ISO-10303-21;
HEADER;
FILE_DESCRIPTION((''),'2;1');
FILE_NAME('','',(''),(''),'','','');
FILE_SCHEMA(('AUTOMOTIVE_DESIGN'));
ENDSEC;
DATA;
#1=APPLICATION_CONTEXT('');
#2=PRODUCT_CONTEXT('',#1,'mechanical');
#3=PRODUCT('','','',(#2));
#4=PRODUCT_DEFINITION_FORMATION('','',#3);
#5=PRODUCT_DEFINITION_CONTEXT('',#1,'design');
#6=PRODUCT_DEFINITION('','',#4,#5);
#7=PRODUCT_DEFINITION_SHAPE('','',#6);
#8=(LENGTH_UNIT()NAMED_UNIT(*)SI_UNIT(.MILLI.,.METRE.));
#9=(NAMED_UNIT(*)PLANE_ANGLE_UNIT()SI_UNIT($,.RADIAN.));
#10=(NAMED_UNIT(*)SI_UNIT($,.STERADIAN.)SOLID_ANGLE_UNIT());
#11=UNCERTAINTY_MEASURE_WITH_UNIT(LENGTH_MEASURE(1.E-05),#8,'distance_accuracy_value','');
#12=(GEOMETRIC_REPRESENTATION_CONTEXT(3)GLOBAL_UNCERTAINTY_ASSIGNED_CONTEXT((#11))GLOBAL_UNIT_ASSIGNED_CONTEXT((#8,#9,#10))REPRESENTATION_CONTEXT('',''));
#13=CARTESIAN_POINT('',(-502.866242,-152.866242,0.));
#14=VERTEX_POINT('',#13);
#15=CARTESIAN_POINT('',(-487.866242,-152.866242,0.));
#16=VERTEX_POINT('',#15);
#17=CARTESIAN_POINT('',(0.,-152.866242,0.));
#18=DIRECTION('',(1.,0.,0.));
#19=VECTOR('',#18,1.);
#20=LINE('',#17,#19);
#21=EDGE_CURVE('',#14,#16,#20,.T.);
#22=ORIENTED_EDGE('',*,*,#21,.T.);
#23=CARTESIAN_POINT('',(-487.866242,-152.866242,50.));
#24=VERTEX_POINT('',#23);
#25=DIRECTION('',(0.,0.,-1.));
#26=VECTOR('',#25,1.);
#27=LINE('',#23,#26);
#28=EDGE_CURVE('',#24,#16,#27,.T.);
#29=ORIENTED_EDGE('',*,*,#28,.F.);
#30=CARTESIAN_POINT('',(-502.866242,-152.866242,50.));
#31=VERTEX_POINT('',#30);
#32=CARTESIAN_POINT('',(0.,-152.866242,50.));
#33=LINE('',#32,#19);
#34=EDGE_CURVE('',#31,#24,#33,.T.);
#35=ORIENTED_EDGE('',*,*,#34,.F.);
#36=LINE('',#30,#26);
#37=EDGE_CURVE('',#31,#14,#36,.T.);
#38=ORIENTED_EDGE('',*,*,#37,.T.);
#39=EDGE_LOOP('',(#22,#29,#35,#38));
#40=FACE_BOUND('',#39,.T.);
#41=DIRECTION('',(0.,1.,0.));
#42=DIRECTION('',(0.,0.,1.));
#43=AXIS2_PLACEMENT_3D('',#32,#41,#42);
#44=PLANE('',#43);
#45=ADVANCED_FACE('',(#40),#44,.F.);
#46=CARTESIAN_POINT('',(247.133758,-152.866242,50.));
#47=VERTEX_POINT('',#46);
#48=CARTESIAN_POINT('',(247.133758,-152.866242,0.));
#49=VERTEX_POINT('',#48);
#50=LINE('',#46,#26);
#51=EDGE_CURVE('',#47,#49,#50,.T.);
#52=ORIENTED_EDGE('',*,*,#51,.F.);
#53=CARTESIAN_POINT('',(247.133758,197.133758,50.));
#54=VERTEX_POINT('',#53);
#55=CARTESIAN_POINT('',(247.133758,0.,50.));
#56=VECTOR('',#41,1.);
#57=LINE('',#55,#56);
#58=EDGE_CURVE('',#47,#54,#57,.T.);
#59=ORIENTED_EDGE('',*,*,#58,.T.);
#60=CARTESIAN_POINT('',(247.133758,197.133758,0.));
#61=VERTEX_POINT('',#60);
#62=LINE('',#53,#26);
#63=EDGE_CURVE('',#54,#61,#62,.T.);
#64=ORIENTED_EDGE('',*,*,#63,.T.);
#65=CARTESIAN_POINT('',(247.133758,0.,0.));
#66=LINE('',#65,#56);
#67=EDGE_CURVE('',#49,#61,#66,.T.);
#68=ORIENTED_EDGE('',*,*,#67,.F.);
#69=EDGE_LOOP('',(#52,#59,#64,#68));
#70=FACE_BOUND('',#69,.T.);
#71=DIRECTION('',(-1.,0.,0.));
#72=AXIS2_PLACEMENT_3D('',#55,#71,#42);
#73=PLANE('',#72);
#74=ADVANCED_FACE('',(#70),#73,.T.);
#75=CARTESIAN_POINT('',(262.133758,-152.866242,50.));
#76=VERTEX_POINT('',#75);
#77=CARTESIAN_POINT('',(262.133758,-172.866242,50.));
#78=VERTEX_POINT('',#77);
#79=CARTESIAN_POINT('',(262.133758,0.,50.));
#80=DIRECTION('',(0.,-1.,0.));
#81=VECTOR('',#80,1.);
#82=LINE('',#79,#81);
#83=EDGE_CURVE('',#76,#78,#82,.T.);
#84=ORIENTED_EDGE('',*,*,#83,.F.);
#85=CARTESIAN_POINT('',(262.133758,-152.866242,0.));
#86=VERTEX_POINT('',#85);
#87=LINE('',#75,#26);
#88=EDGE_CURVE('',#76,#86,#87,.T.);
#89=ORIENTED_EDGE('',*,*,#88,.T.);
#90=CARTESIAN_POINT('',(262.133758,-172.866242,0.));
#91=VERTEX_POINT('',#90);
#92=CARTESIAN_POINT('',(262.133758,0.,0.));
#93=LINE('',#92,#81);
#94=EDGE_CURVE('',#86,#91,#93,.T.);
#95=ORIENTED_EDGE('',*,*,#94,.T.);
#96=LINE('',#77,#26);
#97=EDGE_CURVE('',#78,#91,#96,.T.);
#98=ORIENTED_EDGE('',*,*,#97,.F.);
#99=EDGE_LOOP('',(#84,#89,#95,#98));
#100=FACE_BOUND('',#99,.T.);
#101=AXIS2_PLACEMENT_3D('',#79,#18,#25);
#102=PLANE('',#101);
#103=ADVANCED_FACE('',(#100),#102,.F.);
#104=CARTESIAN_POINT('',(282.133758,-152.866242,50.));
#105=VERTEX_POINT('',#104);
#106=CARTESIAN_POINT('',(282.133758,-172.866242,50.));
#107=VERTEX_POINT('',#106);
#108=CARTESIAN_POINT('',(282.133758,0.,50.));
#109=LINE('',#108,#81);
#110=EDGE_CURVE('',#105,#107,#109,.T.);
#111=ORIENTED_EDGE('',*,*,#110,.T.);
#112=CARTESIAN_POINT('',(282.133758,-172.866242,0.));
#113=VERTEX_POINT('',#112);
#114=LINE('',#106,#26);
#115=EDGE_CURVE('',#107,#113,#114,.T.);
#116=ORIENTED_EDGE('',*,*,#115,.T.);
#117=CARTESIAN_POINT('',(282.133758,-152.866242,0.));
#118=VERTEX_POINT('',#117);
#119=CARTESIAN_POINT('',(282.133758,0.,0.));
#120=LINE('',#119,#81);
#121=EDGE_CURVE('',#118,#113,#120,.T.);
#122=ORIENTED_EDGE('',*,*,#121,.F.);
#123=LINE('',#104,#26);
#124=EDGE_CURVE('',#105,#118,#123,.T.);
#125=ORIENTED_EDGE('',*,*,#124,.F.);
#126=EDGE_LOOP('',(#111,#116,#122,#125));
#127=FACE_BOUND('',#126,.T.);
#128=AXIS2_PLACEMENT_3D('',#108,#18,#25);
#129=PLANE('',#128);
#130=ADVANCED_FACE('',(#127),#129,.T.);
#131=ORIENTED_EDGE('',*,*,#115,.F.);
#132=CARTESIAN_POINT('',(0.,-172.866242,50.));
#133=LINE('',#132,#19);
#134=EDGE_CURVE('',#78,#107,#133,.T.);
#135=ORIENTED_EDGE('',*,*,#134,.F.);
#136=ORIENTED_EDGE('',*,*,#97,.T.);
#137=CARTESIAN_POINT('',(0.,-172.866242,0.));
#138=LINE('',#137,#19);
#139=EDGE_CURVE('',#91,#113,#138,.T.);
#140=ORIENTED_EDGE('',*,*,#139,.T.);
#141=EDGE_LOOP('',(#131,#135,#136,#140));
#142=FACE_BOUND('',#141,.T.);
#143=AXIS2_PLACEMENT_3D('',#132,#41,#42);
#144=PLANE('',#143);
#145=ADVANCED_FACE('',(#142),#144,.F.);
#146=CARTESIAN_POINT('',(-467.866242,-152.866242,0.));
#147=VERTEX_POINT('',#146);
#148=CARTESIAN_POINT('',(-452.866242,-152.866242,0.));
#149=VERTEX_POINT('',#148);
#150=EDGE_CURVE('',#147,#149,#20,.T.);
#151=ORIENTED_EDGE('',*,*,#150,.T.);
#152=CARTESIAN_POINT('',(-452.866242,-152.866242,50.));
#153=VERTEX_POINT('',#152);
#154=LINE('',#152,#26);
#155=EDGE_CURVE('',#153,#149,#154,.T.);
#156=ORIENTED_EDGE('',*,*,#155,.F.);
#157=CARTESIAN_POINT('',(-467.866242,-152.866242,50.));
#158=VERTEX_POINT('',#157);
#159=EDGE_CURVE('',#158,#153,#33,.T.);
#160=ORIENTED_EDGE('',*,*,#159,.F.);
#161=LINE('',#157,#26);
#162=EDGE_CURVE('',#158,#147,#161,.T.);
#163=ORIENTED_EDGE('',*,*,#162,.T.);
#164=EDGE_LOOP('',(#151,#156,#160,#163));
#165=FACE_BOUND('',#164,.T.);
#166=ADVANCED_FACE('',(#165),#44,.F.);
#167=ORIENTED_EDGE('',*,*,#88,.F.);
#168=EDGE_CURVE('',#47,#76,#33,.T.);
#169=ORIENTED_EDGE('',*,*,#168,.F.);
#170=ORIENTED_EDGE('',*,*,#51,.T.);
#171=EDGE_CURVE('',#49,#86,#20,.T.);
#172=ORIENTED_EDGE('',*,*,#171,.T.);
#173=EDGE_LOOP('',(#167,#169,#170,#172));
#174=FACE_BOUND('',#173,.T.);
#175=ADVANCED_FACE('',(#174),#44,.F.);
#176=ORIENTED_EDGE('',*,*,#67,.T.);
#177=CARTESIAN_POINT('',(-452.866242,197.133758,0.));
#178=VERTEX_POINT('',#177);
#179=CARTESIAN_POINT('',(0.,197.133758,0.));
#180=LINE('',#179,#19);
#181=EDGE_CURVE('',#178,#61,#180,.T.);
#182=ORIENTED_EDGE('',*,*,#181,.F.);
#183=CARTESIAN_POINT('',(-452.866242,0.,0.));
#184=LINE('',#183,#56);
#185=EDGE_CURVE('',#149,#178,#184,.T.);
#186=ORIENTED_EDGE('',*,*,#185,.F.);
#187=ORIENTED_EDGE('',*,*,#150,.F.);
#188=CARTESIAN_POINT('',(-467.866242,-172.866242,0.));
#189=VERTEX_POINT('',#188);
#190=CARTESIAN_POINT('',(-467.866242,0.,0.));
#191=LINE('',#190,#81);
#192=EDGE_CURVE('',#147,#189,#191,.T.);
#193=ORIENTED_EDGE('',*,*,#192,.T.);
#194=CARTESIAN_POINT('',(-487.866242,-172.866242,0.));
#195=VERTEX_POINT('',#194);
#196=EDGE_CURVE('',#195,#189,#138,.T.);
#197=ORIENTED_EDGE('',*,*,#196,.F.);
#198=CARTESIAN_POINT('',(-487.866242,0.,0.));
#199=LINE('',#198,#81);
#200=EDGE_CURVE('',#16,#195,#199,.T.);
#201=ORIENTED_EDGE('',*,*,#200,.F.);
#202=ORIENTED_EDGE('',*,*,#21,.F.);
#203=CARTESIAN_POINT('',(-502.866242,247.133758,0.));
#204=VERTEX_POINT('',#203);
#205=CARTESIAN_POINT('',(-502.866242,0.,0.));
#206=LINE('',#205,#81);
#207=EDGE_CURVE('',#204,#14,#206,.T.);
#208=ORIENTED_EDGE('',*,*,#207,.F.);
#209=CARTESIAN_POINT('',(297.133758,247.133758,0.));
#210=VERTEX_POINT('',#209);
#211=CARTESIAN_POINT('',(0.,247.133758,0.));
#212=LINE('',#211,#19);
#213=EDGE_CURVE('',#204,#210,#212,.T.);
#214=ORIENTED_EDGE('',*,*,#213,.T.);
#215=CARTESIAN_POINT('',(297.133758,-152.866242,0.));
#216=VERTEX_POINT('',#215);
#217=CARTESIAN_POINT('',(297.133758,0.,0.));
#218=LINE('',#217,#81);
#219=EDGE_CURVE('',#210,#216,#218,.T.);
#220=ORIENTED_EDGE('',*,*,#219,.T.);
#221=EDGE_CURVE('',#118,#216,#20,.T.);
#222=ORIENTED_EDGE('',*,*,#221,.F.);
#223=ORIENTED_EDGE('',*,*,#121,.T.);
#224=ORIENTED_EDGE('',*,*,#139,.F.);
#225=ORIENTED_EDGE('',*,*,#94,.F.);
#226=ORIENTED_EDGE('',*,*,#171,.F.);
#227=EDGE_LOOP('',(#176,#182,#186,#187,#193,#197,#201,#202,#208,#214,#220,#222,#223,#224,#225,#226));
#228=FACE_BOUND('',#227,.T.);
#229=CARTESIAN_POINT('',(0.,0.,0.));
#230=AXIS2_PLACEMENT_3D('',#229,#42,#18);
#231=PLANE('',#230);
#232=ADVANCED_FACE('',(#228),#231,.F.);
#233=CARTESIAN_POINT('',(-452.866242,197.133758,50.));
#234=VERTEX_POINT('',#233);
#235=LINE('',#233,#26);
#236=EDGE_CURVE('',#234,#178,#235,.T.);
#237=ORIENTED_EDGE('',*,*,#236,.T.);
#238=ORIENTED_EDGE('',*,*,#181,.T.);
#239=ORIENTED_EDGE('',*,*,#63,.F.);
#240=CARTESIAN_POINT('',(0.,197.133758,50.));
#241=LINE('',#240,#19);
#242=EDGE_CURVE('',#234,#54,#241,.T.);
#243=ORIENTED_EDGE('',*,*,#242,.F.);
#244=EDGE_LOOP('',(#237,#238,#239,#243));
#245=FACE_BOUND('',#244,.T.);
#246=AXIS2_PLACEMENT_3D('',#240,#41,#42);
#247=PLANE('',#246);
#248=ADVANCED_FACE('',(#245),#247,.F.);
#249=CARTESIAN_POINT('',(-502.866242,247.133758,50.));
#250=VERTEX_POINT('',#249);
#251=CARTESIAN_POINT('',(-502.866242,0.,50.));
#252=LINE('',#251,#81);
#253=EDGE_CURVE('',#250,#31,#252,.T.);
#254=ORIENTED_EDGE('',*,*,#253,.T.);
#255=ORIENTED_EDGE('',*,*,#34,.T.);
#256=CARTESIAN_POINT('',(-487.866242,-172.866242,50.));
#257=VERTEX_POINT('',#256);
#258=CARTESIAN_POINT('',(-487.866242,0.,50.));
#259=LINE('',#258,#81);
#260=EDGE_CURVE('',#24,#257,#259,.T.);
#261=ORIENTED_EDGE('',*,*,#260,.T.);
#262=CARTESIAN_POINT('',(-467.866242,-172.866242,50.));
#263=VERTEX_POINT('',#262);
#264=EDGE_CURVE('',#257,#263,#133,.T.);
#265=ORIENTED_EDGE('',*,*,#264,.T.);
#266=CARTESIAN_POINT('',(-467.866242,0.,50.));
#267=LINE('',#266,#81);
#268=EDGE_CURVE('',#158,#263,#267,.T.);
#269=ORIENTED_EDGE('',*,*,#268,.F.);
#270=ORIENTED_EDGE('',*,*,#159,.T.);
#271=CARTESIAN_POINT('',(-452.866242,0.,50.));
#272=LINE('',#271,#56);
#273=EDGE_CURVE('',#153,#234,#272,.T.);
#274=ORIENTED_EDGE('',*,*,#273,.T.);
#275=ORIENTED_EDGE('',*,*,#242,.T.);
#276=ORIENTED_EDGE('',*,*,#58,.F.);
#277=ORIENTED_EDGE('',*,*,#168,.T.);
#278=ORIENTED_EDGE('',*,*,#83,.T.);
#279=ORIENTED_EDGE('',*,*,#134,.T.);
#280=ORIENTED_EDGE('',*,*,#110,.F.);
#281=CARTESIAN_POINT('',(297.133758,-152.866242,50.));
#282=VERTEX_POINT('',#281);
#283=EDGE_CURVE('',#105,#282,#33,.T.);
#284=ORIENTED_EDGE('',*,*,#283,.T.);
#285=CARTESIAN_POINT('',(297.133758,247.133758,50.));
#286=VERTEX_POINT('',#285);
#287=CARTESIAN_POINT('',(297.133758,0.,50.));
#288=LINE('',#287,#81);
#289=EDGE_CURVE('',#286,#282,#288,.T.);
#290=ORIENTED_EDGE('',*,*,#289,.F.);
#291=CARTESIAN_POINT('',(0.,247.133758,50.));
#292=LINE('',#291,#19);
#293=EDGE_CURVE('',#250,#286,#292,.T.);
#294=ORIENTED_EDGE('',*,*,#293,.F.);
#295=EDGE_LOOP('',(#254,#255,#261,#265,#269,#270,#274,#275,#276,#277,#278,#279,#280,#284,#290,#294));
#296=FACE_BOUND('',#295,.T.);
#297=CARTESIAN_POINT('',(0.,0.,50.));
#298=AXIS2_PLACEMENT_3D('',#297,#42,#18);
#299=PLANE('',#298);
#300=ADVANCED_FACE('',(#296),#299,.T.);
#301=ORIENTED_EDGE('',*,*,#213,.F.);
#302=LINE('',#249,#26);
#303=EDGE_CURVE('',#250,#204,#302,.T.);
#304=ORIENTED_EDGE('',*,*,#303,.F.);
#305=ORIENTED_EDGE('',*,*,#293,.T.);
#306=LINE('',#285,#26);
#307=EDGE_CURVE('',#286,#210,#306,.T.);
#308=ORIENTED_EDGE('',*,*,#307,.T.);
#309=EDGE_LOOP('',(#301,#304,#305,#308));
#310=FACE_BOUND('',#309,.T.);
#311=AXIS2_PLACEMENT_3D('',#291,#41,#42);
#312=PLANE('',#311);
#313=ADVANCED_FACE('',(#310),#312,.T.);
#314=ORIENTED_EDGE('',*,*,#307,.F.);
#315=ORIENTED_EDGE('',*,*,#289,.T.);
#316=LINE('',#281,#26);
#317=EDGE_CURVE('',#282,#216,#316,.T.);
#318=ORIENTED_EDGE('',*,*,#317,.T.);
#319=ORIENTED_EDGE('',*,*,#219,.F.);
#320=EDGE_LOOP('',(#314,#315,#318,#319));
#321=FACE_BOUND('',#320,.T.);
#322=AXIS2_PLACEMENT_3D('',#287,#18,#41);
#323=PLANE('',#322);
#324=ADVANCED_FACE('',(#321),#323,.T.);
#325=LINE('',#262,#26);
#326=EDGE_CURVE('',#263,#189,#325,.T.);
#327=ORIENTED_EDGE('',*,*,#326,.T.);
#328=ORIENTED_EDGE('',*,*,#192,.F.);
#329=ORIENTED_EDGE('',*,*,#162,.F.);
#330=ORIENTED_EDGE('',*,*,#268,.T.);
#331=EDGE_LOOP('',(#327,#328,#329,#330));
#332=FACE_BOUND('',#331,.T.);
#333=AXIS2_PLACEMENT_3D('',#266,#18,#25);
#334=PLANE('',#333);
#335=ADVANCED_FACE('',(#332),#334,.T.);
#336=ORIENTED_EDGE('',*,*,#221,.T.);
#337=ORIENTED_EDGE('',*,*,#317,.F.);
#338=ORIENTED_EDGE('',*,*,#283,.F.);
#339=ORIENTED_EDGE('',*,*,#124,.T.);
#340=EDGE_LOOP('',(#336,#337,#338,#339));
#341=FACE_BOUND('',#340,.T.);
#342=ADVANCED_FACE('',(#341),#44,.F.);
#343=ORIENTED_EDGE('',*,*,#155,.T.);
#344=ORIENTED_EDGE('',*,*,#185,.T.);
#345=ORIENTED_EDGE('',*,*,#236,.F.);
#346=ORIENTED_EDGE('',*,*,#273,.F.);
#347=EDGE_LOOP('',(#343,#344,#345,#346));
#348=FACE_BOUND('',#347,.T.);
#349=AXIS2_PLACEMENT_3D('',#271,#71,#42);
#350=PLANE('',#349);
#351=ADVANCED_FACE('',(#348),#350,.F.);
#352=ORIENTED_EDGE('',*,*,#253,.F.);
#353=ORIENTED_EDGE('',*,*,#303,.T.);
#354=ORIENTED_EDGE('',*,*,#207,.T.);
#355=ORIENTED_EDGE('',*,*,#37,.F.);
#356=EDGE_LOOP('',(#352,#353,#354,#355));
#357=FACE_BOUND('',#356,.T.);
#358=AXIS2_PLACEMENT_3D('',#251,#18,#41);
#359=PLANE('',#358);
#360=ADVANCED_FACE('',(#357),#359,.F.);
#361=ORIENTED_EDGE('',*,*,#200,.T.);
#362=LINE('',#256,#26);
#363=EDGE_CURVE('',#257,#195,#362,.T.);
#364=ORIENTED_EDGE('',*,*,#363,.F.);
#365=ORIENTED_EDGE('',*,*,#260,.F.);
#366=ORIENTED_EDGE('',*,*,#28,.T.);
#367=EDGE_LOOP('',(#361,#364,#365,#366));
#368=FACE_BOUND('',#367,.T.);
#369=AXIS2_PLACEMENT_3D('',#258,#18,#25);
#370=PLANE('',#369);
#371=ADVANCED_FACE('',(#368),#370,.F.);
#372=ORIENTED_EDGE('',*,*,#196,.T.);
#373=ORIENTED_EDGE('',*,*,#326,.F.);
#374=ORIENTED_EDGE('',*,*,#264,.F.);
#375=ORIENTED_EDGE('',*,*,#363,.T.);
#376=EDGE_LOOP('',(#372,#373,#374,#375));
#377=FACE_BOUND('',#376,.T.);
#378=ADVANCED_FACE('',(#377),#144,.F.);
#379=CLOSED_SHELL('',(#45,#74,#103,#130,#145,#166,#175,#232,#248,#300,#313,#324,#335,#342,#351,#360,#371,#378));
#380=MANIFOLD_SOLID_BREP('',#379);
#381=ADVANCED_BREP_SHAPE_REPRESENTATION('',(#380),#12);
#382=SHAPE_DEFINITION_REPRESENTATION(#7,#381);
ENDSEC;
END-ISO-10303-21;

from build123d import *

# Parameters (mm, degrees)
SKETCH1_W           = 20
SKETCH1_H           = 20
BOSS_EXTRUDE1_DEPTH = 50


with BuildPart() as part:
    # Sketch1 → Boss-Extrude1 (new body)
    with BuildSketch(Plane.XY):
        Polygon((297.133757962, 247.133757962), (-502.866242038, 247.133757962), (-502.866242038, -152.866242038), (-487.866242038, -152.866242038), (-467.866242038, -152.866242038), (-452.866242038, -152.866242038), (-452.866242038, 197.133757962), (247.133757962, 197.133757962), (247.133757962, -152.866242038), (262.133757962, -152.866242038), (282.133757962, -152.866242038), (297.133757962, -152.866242038), align=None)
        with Locations((-477.866242038, -162.866242038)):
            Rectangle(SKETCH1_W, SKETCH1_H)
        with Locations((272.133757962, -162.866242038)):
            Rectangle(SKETCH1_W, SKETCH1_H)
    extrude(amount=BOSS_EXTRUDE1_DEPTH)


solid = part.part
